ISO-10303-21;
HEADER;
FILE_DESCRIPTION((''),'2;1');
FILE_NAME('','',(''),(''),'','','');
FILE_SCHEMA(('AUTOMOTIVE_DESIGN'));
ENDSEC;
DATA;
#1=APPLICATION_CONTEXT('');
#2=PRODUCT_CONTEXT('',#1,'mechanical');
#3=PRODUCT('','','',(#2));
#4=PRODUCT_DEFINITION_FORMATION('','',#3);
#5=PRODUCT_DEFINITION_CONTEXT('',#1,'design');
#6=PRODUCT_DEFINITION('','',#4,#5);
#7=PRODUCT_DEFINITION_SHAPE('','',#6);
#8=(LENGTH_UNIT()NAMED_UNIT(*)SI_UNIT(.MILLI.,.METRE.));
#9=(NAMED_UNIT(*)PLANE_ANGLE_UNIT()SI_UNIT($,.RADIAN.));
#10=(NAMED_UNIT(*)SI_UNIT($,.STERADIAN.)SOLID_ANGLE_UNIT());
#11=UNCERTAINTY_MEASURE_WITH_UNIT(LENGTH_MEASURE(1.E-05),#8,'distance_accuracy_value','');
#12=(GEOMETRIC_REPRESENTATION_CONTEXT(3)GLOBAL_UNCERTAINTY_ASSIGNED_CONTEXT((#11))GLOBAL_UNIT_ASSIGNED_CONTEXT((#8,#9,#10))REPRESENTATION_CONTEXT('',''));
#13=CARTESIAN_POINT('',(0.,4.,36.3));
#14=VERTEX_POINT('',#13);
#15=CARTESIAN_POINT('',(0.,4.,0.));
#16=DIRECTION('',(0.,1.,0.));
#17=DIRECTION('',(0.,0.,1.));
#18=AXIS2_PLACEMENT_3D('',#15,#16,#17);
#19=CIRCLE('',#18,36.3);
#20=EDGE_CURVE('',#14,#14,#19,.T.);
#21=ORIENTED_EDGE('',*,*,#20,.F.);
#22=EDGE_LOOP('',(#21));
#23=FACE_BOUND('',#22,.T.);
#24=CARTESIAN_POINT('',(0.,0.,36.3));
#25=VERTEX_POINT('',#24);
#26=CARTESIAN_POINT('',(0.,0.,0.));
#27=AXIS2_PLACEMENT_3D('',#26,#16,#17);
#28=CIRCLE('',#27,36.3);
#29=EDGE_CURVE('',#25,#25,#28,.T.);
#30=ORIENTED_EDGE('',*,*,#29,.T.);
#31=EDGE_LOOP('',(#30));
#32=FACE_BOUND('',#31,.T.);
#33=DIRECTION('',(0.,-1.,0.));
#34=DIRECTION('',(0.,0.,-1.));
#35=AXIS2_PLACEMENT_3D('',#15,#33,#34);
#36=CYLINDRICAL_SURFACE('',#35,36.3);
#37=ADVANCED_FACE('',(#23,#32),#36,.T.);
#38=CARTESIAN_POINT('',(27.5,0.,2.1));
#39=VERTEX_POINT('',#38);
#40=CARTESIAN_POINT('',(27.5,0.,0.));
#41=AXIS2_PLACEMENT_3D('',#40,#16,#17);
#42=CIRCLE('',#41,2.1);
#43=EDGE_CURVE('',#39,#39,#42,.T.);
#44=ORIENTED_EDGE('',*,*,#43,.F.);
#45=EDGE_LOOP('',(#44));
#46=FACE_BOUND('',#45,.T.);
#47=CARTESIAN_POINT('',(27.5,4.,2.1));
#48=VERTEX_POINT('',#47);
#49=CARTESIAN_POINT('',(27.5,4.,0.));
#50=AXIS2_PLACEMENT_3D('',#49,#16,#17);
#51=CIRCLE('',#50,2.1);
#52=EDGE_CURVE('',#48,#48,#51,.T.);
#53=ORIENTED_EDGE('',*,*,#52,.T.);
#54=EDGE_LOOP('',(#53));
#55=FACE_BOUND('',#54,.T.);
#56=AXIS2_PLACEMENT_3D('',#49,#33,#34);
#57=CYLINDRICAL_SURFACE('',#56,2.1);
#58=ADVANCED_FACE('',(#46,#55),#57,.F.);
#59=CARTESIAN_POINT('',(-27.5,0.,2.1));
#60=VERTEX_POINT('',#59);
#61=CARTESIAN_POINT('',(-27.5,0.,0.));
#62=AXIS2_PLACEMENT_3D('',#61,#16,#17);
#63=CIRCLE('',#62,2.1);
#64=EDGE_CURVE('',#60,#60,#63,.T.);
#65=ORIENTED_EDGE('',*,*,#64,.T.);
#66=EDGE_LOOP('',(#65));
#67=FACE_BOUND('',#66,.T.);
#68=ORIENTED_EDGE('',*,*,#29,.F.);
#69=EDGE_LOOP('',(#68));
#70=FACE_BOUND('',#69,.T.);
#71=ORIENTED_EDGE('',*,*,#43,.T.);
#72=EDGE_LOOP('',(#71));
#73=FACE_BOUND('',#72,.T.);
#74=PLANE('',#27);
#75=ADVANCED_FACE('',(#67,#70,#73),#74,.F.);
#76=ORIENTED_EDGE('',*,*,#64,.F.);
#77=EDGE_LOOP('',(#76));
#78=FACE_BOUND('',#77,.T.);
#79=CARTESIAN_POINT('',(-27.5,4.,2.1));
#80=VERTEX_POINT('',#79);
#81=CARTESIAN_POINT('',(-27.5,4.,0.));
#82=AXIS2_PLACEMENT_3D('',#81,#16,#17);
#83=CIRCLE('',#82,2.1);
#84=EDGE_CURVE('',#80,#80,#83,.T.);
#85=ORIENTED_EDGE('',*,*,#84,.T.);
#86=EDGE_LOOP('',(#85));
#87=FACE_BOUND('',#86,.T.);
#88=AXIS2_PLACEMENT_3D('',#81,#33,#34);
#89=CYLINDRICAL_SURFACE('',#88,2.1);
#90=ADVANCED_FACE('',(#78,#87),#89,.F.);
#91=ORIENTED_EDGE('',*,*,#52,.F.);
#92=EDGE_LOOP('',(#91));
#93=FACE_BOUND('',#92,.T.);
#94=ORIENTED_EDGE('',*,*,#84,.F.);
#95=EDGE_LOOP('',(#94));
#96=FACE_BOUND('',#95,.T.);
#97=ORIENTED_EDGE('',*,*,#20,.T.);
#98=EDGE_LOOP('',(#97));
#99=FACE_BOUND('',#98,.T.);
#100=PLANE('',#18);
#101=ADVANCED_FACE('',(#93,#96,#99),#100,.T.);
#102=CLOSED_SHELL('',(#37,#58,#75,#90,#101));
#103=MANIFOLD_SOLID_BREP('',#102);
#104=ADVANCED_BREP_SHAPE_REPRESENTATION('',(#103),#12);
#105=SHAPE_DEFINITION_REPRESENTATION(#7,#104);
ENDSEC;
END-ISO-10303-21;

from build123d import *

# Parameters (mm, degrees)
SKETCH1_R           = 36.3
SKETCH1_R_2         = 2.1
BOSS_EXTRUDE1_DEPTH = 4


with BuildPart() as part:
    # Sketch1 → Boss-Extrude1 (new body)
    with BuildSketch(Plane(origin=(0, 0, 0), x_dir=(1, 0, 0), z_dir=(0, 1, 0))):
        with Locations(Location((0, 0, 0), (0, 0, 270))):
            Circle(SKETCH1_R)
        with Locations(Location((-27.5, 0, 0), (0, 0, 270))):
            Circle(SKETCH1_R_2, mode=Mode.SUBTRACT)
        with Locations(Location((27.5, 0, 0), (0, 0, 270))):
            Circle(SKETCH1_R_2, mode=Mode.SUBTRACT)
    extrude(amount=BOSS_EXTRUDE1_DEPTH)


solid = part.part
